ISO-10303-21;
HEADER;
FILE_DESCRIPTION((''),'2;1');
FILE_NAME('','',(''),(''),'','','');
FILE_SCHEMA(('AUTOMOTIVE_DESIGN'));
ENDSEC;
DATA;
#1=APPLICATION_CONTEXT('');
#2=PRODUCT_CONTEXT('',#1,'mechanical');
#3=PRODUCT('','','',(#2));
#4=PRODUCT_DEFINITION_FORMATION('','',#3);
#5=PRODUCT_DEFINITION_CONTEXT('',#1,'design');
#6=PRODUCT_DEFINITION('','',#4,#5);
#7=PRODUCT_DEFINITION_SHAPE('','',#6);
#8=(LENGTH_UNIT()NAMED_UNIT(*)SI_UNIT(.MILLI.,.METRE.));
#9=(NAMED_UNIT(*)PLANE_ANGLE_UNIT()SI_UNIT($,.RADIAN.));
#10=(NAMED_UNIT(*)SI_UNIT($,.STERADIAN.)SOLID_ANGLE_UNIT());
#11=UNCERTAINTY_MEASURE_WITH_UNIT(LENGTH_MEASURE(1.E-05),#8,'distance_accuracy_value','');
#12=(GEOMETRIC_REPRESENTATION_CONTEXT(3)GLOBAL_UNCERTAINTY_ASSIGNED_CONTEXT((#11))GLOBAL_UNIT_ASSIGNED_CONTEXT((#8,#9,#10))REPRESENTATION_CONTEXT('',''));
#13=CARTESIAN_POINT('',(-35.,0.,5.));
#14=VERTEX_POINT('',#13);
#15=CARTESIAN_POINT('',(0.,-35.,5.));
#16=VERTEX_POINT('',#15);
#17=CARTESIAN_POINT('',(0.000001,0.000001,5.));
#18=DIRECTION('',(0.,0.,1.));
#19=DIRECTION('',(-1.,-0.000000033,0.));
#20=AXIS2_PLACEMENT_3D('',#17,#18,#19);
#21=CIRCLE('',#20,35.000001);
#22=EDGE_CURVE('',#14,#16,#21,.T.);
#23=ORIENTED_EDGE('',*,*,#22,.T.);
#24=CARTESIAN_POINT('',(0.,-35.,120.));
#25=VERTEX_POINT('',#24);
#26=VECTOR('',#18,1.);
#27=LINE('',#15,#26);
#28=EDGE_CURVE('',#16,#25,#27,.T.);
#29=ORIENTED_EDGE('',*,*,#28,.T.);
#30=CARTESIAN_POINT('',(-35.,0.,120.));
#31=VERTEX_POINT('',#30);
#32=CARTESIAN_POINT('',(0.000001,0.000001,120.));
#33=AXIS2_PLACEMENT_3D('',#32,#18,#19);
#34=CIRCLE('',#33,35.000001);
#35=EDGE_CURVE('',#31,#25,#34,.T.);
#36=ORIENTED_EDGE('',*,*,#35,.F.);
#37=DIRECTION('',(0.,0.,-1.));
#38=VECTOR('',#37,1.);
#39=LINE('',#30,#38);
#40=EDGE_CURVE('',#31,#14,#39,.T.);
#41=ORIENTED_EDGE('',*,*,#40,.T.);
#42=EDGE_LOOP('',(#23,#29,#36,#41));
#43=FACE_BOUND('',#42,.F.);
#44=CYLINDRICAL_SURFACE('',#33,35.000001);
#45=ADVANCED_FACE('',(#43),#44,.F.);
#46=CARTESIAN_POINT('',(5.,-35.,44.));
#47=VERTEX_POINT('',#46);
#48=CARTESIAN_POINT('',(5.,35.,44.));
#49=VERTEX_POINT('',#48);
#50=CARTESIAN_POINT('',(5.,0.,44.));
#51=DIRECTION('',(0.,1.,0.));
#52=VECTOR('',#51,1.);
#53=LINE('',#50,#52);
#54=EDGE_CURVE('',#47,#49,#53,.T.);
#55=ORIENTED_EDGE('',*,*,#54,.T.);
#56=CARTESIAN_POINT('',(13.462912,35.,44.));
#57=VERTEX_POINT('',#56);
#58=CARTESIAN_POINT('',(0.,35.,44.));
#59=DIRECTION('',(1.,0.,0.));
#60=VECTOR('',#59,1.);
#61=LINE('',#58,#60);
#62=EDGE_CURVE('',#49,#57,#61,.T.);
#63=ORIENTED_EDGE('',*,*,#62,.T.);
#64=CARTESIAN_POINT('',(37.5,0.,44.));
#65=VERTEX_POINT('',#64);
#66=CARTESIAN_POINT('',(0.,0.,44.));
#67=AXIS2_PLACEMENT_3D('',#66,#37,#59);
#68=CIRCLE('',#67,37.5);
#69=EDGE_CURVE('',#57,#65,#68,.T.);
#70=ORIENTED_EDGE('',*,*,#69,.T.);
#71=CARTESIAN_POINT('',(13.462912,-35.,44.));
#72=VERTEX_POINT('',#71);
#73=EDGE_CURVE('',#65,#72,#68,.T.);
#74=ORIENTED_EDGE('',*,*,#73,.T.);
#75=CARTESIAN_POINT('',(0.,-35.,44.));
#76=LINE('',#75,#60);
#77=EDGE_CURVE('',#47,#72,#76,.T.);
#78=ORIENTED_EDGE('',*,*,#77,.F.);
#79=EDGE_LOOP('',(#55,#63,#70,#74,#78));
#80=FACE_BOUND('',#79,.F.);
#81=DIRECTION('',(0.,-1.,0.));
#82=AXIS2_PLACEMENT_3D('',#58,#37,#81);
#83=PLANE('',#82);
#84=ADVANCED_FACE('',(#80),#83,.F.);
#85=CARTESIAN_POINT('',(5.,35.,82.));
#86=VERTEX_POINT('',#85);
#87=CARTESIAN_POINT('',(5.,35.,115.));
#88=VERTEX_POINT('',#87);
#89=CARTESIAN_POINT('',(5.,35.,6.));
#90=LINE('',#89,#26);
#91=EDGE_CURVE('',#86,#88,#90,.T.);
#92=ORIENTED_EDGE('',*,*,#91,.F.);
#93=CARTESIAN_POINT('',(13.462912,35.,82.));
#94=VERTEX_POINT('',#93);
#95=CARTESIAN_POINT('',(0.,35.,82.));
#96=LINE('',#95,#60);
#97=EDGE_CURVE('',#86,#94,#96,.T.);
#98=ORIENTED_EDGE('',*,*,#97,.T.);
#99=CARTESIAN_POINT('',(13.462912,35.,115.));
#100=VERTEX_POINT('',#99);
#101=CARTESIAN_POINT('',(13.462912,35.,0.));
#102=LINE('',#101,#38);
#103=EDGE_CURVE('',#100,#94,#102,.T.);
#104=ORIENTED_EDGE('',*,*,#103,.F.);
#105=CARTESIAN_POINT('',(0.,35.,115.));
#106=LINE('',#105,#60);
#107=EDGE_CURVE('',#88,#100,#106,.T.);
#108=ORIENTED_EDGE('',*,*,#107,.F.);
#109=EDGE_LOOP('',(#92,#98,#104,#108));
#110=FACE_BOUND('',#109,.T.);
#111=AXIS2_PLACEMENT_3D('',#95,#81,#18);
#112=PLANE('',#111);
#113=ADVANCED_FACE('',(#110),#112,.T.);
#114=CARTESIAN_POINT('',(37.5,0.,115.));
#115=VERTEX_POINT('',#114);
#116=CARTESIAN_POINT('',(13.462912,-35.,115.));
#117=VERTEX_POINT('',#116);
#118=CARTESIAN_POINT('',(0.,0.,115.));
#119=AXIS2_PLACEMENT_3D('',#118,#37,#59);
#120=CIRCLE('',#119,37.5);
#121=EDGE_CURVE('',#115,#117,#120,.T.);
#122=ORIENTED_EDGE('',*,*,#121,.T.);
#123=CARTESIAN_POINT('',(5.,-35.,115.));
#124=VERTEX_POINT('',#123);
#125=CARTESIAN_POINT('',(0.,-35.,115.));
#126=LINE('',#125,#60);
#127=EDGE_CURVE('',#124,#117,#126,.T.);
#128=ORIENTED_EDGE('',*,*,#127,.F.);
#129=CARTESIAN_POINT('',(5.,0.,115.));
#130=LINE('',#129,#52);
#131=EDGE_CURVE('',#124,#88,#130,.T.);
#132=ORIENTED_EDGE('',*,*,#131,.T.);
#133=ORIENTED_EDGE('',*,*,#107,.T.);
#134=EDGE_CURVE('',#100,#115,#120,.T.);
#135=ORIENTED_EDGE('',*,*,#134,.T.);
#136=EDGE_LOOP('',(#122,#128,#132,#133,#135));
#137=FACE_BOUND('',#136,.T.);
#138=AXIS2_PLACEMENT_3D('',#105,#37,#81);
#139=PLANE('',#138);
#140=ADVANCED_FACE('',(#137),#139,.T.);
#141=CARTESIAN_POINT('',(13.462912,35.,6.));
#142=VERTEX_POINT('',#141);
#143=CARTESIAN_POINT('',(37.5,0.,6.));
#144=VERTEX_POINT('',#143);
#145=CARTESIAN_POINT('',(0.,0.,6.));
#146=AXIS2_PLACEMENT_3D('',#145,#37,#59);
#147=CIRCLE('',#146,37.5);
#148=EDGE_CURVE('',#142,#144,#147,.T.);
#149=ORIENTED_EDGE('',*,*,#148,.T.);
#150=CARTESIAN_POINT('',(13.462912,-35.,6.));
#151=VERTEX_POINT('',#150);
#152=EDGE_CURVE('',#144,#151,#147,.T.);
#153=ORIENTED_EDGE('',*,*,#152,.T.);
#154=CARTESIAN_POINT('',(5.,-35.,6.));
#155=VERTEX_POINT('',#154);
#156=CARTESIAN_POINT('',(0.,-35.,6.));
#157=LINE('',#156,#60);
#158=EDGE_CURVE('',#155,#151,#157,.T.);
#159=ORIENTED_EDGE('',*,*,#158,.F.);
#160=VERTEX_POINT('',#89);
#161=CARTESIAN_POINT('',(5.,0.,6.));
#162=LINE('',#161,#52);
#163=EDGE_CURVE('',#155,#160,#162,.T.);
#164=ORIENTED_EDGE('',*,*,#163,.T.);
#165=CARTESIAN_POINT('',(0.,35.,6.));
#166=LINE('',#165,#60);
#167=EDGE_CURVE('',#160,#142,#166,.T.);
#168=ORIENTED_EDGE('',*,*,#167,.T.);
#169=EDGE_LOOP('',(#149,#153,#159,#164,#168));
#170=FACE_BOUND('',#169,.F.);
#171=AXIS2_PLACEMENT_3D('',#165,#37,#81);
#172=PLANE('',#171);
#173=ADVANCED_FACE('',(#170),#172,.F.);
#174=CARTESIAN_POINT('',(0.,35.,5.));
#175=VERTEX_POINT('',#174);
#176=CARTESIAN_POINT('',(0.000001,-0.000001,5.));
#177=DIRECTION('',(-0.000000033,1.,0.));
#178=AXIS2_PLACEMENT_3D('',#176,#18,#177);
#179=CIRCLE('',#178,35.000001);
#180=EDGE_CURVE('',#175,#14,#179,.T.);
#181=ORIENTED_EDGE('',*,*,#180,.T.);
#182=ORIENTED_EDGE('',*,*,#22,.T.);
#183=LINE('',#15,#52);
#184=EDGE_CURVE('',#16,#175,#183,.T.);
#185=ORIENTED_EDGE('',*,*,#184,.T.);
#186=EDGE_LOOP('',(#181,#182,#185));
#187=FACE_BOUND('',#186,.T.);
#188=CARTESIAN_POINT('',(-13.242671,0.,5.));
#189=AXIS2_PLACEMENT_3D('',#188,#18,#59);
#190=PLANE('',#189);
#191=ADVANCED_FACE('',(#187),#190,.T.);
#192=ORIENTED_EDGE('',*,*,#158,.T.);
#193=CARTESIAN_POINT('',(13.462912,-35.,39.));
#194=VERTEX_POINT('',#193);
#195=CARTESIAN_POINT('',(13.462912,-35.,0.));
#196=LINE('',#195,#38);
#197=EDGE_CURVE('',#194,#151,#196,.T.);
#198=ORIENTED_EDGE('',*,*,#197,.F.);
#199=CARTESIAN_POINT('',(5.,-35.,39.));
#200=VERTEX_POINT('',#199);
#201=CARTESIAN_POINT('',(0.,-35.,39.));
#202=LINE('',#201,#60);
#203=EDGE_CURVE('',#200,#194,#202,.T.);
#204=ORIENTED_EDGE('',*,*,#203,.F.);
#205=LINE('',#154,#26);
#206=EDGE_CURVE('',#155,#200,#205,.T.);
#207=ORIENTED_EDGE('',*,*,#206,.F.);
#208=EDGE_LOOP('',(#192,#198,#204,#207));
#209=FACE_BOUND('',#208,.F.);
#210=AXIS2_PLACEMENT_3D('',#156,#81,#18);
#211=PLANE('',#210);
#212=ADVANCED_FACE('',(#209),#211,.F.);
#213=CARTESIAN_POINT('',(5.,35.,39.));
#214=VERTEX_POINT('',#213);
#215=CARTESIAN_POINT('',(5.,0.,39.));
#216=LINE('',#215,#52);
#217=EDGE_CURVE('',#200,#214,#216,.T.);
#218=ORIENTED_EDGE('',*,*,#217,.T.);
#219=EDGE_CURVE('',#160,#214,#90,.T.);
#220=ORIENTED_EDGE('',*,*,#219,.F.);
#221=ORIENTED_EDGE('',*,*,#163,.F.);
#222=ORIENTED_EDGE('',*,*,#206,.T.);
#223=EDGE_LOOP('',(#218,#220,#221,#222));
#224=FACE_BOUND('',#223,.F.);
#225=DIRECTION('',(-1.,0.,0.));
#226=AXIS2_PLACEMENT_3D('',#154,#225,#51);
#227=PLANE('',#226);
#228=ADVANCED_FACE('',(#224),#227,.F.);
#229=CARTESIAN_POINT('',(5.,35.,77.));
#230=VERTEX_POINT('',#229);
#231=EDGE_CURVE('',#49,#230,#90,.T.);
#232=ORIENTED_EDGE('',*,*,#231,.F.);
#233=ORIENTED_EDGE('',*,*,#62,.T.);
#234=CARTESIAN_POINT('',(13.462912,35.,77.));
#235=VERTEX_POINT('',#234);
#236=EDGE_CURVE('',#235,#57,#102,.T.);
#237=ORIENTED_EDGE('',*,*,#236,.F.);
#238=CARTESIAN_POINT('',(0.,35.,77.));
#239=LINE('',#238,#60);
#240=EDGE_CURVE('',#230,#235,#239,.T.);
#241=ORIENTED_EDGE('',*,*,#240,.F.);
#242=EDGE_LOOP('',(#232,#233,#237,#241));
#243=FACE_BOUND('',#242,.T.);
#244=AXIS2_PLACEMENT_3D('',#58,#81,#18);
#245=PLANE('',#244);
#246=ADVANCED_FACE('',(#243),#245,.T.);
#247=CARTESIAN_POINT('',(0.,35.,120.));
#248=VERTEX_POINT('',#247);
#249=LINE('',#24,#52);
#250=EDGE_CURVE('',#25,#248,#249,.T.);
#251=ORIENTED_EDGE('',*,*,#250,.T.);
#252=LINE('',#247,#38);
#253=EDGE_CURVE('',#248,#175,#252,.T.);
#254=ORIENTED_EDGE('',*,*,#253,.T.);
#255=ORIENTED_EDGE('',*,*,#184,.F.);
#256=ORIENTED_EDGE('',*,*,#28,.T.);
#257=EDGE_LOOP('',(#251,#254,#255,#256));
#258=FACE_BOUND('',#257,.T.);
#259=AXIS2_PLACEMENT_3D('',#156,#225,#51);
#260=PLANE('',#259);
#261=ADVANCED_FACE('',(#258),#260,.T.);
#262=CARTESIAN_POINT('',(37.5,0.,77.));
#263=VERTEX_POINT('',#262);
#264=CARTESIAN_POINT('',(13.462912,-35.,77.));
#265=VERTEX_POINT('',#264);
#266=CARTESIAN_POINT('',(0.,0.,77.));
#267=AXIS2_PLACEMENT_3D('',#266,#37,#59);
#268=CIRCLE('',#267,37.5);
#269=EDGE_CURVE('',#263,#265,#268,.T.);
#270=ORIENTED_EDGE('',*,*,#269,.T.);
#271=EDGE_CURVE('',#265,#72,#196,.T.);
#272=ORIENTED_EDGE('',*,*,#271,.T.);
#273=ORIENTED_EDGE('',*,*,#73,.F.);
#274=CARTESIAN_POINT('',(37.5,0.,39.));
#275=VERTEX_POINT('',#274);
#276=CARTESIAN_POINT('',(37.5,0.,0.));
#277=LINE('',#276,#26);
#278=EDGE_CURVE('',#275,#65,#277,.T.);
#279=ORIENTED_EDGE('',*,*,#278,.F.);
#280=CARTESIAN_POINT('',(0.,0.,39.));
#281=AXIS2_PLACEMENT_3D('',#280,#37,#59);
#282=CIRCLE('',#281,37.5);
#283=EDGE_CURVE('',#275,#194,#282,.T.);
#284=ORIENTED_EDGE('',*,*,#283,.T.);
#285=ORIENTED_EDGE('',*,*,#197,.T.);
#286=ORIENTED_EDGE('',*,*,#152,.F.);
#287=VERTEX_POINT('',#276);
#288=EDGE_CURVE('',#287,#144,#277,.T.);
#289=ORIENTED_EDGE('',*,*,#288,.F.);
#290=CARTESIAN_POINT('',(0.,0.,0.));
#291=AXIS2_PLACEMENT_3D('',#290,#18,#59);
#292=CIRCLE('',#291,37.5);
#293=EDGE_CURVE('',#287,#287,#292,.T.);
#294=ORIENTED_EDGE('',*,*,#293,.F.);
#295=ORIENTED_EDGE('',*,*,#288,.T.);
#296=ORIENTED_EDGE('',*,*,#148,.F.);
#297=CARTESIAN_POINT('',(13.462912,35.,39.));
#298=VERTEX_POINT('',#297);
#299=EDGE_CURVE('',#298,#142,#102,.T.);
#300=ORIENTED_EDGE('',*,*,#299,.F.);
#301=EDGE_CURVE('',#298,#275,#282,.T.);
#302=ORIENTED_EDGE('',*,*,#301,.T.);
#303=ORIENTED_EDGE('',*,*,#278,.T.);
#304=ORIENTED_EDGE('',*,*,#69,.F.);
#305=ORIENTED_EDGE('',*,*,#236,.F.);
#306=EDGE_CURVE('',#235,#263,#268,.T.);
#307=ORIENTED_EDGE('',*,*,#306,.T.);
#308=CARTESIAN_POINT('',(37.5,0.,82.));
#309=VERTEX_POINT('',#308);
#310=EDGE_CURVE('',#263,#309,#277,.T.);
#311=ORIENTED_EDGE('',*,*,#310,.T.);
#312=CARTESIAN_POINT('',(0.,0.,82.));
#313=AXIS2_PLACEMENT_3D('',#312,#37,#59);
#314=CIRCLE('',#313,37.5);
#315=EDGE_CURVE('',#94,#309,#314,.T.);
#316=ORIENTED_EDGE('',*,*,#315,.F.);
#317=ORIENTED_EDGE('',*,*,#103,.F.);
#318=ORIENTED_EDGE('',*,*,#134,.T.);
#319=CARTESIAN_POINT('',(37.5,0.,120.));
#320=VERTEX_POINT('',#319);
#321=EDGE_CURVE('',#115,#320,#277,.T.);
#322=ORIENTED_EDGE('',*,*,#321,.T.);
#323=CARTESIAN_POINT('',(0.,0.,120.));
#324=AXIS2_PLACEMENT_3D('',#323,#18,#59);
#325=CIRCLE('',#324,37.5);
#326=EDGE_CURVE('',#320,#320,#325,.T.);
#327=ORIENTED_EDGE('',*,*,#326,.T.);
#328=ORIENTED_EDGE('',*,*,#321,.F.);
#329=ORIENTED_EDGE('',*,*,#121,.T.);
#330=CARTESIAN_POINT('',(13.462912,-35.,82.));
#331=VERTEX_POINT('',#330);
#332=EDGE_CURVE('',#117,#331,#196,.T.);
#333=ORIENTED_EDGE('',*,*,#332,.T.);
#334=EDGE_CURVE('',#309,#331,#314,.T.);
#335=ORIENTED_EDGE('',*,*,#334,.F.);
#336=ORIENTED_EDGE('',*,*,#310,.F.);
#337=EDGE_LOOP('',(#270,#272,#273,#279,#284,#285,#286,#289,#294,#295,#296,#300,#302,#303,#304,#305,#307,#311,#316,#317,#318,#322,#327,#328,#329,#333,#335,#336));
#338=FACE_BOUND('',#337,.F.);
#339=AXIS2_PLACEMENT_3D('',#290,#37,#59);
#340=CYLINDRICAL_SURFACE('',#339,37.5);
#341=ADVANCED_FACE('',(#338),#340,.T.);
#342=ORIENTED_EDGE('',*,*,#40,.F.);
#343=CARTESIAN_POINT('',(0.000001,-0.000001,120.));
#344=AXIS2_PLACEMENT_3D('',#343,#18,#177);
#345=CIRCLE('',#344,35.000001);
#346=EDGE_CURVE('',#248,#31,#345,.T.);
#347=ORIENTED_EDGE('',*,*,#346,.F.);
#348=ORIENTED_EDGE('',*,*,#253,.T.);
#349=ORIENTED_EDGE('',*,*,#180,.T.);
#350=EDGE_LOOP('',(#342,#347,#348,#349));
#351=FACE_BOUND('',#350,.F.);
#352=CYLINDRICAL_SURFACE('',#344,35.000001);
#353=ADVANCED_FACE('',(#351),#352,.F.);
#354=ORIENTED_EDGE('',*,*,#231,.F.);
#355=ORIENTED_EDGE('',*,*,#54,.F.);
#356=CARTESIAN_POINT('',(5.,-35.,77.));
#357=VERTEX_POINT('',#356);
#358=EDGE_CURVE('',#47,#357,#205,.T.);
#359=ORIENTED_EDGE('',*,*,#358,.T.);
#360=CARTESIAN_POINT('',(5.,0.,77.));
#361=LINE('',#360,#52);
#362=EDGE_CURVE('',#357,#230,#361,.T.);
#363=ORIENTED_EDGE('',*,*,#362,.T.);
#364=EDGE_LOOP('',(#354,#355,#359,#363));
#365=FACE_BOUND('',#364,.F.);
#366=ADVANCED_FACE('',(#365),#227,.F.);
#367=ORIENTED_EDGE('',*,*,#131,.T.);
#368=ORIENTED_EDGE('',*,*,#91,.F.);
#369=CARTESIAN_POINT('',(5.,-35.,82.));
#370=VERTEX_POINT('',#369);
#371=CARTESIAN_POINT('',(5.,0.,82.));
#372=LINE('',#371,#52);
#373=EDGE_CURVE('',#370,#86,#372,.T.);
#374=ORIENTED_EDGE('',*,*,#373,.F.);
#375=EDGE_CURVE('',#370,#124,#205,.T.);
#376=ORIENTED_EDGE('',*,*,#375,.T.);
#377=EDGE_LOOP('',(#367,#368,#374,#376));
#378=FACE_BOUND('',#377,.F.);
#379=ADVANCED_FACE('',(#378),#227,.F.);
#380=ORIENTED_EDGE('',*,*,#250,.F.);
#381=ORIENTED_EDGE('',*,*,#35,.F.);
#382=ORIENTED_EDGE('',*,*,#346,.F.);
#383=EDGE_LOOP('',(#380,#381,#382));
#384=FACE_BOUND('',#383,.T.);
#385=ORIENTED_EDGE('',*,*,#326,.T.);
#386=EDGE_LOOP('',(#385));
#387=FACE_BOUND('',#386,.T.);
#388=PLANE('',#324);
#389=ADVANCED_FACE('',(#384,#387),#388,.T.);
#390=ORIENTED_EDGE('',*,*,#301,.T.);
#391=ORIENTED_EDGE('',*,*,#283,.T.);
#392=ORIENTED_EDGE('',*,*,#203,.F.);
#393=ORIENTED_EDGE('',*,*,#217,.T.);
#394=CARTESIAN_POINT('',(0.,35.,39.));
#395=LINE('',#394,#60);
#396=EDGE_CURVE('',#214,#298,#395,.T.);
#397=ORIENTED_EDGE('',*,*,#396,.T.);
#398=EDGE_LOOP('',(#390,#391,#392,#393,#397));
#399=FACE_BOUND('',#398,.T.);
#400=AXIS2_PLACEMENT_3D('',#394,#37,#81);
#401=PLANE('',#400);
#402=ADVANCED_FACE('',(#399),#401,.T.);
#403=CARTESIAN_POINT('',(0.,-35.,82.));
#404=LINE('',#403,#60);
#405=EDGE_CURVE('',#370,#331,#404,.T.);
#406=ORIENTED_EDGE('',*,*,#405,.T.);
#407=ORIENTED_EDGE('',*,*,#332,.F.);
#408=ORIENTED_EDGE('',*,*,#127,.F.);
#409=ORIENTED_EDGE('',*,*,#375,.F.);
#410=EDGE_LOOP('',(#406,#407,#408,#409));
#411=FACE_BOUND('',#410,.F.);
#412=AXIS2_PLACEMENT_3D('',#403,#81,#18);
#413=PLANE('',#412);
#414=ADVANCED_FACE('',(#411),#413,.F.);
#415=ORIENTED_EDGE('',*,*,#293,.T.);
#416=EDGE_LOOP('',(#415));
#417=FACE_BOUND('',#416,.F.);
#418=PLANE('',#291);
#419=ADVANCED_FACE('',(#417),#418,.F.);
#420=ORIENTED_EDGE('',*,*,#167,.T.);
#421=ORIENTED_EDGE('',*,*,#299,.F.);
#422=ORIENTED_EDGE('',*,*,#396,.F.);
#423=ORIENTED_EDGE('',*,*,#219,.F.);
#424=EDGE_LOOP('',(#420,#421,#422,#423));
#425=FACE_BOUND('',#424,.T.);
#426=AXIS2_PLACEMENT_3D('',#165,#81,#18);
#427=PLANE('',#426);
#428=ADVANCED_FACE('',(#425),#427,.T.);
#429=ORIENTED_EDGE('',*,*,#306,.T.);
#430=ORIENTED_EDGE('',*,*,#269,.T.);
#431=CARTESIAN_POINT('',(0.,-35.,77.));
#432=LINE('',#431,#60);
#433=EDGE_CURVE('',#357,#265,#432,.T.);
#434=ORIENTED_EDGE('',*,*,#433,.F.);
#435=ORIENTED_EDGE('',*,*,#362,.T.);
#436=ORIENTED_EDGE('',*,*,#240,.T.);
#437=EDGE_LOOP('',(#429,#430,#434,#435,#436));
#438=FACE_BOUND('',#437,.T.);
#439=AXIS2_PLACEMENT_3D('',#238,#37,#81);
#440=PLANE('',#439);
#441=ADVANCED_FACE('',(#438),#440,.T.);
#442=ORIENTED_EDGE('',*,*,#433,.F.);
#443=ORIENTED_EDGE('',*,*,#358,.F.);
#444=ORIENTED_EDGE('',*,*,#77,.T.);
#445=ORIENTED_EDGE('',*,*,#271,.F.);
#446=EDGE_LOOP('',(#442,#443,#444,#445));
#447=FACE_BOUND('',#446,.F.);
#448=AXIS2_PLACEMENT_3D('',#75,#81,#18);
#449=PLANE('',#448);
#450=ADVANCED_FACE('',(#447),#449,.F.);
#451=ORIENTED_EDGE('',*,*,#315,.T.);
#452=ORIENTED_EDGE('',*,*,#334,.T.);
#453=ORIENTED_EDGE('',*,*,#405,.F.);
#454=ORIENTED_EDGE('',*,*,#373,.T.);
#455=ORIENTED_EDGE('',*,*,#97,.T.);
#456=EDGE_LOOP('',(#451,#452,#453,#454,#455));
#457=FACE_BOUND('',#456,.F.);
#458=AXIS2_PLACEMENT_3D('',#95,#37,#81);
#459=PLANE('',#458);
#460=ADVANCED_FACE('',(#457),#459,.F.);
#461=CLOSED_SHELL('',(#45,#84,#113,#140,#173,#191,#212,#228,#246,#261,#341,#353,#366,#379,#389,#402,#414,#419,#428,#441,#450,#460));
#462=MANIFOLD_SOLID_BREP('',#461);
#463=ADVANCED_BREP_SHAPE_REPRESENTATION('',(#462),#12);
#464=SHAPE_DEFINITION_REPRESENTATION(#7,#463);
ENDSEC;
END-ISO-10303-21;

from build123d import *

# Parameters (mm, degrees)
F0_R     = 37.5
F1_DEPTH = 120
F3_DEPTH = 115
F4_W     = 70
F4_H     = 33
F5_DEPTH = 40
F6_W     = 5
F6_H     = 70
F7_DEPTH = 109


with BuildPart() as f1:
    # F0 (on Top) → F1 (new body)
    with BuildSketch(Plane.XY):
        Circle(F0_R)
    extrude(amount=F1_DEPTH)

    # F2 (on face) → F3 (cut)
    with BuildSketch(Plane.XY.offset(120)):
        with BuildLine():
            Line((0, -35), (0, 35))
            ThreePointArc((0, 35), (-24.748737, 24.748737), (-35, 0))
            ThreePointArc((-35, 0), (-24.748737, -24.748737), (0, -35))
        make_face()
    extrude(amount=-F3_DEPTH, mode=Mode.SUBTRACT)

    # F4 (on face) → F5 (cut)
    with BuildSketch(Plane(origin=(0, 0, 0), x_dir=(0, -1, 0), z_dir=(-1, 0, 0))):
        with Locations((0, 22.5)):
            Rectangle(F4_W, F4_H)
        with Locations((0, 60.5)):
            Rectangle(F4_W, F4_H)
        with Locations((0, 98.5)):
            Rectangle(F4_W, F4_H)
    extrude(amount=-F5_DEPTH, mode=Mode.SUBTRACT)

    # F6 (on face) → F7 (join)
    with BuildSketch(Plane.XY.offset(6)):
        with Locations((2.5, 0)):
            Rectangle(F6_W, F6_H)
    extrude(amount=F7_DEPTH)


solid = f1.part
